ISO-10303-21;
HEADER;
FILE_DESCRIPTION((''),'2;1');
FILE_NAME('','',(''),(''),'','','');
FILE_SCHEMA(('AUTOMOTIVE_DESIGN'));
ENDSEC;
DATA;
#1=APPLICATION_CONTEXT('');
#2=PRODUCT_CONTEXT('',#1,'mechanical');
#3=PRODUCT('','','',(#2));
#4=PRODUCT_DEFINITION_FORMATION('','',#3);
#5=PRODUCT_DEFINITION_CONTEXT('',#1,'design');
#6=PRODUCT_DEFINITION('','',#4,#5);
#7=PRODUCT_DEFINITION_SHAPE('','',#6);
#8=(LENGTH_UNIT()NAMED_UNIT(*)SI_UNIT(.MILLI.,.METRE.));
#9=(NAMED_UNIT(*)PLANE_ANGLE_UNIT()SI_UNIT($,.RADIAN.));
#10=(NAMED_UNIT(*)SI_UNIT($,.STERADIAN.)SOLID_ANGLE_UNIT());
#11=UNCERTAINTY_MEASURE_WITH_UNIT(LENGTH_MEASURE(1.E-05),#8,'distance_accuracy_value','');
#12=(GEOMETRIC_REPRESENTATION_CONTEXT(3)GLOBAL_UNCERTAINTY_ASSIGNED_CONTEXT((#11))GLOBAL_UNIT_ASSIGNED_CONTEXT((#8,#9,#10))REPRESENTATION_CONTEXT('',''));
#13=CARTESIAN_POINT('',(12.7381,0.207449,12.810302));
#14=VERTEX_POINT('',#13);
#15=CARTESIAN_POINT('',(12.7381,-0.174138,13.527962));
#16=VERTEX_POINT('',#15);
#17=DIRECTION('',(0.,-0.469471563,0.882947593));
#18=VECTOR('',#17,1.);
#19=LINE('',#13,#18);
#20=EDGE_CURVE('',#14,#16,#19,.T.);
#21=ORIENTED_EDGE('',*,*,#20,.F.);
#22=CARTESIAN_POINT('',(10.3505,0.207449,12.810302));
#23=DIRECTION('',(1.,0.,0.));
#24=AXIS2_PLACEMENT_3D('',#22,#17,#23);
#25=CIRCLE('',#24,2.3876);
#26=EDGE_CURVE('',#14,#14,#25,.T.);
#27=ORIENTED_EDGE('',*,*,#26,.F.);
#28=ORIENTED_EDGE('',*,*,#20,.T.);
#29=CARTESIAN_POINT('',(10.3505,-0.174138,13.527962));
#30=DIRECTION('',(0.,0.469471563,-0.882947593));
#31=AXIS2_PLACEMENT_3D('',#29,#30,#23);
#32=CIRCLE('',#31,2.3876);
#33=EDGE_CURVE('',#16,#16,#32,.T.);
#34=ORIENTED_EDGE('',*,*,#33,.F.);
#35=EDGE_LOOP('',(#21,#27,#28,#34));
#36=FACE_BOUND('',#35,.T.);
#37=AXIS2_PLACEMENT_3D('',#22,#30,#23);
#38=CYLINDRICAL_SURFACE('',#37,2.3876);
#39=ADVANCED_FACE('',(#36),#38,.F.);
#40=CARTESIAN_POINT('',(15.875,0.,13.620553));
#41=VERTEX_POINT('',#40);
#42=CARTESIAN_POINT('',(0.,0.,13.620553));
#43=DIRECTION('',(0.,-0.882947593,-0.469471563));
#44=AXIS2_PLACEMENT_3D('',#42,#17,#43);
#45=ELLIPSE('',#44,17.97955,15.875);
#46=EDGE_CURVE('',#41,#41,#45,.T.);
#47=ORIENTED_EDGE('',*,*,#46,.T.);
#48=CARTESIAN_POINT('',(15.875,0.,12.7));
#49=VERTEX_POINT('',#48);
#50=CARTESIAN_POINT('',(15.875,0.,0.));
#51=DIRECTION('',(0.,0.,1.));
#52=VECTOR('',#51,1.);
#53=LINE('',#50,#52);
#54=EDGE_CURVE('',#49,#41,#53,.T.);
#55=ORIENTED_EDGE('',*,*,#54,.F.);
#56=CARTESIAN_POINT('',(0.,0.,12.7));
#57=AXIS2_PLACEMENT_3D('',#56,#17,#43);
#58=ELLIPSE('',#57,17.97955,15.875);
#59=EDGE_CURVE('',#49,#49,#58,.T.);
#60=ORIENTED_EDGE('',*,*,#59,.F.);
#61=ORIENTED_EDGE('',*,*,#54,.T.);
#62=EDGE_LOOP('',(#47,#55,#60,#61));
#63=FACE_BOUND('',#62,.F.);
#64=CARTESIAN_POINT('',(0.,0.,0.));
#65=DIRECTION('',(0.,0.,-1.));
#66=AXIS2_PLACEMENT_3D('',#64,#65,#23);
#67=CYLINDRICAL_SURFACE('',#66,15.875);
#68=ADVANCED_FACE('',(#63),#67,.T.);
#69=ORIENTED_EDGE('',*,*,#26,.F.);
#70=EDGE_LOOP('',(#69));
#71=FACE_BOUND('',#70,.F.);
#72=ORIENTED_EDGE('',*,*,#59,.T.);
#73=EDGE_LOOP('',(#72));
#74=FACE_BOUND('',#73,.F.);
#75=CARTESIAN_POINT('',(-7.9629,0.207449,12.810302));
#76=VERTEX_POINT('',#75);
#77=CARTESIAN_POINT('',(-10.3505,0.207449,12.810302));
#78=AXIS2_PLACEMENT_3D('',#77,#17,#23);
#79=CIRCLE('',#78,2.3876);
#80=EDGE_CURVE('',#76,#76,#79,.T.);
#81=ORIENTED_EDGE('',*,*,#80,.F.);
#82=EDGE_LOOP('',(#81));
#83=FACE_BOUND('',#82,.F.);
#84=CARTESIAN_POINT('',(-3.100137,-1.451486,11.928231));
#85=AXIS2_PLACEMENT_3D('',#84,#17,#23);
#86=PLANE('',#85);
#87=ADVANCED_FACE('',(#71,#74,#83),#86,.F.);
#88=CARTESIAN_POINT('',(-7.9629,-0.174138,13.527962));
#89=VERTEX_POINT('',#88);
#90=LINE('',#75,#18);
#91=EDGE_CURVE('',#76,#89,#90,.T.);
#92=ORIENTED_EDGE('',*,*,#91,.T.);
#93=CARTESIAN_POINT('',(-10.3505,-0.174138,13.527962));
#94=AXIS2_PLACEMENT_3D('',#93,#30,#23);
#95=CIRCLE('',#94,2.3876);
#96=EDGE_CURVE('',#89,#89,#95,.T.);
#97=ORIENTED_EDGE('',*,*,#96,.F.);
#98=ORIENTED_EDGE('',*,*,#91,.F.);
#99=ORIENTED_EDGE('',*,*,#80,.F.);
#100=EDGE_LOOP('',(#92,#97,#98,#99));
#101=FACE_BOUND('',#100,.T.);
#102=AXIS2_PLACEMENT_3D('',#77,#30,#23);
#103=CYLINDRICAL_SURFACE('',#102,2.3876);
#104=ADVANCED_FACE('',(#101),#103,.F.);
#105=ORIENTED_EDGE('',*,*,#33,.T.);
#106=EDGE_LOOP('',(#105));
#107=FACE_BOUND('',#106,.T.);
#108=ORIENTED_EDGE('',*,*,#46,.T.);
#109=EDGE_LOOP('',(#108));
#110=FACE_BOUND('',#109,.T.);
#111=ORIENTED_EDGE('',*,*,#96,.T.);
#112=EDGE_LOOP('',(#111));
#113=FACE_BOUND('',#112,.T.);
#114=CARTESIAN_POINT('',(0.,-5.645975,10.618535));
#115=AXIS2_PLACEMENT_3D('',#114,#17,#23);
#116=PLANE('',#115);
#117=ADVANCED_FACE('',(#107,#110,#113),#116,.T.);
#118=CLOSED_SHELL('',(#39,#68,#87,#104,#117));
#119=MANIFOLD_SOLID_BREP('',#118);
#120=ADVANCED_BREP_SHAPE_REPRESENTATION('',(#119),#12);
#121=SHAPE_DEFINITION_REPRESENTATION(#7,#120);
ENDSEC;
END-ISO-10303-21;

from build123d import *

# Parameters (mm, degrees)
F0_R      = 15.875
F1_DEPTH  = 25.4
F5_R      = 28.0073181772
F6_DEPTH  = 25.4
F7_R      = 26.7212354085
F8_DEPTH  = 25.4
F9_R      = 2.3876
F10_DEPTH = 25.4


with BuildPart() as f1:
    # F0 (on Top) → F1 (new body)
    with BuildSketch(Plane.XY):
        Circle(F0_R)
    extrude(amount=F1_DEPTH)

    # F5 (on offset) → F6 (cut)
    with BuildSketch(Plane(origin=(0, -5.645975072, 10.6185347405), x_dir=(1, 0, 0), z_dir=(0, -0.4694715628, 0.8829475929))):
        Circle(F5_R)
    extrude(amount=F6_DEPTH, mode=Mode.SUBTRACT)

    # F7 (on line) → F8 (cut)
    with BuildSketch(Plane(origin=(0, -5.2643885857, 9.900874937), x_dir=(1, 0, 0), z_dir=(0, -0.4694715628, 0.8829475929))):
        with Locations((-3.1001365278, 4.3183793314)):
            Circle(F7_R)
    extrude(amount=-F8_DEPTH, mode=Mode.SUBTRACT)

    # F9 (on line) → F10 (cut)
    with BuildSketch(Plane(origin=(0, -5.2643885857, 9.900874937), x_dir=(1, 0, 0), z_dir=(0, -0.4694715628, 0.8829475929))):
        with Locations((-10.3505, 6.1972388474)):
            Circle(F9_R)
        with Locations((10.3505, 6.1972388474)):
            Circle(F9_R)
    extrude(amount=F10_DEPTH, mode=Mode.SUBTRACT)


solid = f1.part
